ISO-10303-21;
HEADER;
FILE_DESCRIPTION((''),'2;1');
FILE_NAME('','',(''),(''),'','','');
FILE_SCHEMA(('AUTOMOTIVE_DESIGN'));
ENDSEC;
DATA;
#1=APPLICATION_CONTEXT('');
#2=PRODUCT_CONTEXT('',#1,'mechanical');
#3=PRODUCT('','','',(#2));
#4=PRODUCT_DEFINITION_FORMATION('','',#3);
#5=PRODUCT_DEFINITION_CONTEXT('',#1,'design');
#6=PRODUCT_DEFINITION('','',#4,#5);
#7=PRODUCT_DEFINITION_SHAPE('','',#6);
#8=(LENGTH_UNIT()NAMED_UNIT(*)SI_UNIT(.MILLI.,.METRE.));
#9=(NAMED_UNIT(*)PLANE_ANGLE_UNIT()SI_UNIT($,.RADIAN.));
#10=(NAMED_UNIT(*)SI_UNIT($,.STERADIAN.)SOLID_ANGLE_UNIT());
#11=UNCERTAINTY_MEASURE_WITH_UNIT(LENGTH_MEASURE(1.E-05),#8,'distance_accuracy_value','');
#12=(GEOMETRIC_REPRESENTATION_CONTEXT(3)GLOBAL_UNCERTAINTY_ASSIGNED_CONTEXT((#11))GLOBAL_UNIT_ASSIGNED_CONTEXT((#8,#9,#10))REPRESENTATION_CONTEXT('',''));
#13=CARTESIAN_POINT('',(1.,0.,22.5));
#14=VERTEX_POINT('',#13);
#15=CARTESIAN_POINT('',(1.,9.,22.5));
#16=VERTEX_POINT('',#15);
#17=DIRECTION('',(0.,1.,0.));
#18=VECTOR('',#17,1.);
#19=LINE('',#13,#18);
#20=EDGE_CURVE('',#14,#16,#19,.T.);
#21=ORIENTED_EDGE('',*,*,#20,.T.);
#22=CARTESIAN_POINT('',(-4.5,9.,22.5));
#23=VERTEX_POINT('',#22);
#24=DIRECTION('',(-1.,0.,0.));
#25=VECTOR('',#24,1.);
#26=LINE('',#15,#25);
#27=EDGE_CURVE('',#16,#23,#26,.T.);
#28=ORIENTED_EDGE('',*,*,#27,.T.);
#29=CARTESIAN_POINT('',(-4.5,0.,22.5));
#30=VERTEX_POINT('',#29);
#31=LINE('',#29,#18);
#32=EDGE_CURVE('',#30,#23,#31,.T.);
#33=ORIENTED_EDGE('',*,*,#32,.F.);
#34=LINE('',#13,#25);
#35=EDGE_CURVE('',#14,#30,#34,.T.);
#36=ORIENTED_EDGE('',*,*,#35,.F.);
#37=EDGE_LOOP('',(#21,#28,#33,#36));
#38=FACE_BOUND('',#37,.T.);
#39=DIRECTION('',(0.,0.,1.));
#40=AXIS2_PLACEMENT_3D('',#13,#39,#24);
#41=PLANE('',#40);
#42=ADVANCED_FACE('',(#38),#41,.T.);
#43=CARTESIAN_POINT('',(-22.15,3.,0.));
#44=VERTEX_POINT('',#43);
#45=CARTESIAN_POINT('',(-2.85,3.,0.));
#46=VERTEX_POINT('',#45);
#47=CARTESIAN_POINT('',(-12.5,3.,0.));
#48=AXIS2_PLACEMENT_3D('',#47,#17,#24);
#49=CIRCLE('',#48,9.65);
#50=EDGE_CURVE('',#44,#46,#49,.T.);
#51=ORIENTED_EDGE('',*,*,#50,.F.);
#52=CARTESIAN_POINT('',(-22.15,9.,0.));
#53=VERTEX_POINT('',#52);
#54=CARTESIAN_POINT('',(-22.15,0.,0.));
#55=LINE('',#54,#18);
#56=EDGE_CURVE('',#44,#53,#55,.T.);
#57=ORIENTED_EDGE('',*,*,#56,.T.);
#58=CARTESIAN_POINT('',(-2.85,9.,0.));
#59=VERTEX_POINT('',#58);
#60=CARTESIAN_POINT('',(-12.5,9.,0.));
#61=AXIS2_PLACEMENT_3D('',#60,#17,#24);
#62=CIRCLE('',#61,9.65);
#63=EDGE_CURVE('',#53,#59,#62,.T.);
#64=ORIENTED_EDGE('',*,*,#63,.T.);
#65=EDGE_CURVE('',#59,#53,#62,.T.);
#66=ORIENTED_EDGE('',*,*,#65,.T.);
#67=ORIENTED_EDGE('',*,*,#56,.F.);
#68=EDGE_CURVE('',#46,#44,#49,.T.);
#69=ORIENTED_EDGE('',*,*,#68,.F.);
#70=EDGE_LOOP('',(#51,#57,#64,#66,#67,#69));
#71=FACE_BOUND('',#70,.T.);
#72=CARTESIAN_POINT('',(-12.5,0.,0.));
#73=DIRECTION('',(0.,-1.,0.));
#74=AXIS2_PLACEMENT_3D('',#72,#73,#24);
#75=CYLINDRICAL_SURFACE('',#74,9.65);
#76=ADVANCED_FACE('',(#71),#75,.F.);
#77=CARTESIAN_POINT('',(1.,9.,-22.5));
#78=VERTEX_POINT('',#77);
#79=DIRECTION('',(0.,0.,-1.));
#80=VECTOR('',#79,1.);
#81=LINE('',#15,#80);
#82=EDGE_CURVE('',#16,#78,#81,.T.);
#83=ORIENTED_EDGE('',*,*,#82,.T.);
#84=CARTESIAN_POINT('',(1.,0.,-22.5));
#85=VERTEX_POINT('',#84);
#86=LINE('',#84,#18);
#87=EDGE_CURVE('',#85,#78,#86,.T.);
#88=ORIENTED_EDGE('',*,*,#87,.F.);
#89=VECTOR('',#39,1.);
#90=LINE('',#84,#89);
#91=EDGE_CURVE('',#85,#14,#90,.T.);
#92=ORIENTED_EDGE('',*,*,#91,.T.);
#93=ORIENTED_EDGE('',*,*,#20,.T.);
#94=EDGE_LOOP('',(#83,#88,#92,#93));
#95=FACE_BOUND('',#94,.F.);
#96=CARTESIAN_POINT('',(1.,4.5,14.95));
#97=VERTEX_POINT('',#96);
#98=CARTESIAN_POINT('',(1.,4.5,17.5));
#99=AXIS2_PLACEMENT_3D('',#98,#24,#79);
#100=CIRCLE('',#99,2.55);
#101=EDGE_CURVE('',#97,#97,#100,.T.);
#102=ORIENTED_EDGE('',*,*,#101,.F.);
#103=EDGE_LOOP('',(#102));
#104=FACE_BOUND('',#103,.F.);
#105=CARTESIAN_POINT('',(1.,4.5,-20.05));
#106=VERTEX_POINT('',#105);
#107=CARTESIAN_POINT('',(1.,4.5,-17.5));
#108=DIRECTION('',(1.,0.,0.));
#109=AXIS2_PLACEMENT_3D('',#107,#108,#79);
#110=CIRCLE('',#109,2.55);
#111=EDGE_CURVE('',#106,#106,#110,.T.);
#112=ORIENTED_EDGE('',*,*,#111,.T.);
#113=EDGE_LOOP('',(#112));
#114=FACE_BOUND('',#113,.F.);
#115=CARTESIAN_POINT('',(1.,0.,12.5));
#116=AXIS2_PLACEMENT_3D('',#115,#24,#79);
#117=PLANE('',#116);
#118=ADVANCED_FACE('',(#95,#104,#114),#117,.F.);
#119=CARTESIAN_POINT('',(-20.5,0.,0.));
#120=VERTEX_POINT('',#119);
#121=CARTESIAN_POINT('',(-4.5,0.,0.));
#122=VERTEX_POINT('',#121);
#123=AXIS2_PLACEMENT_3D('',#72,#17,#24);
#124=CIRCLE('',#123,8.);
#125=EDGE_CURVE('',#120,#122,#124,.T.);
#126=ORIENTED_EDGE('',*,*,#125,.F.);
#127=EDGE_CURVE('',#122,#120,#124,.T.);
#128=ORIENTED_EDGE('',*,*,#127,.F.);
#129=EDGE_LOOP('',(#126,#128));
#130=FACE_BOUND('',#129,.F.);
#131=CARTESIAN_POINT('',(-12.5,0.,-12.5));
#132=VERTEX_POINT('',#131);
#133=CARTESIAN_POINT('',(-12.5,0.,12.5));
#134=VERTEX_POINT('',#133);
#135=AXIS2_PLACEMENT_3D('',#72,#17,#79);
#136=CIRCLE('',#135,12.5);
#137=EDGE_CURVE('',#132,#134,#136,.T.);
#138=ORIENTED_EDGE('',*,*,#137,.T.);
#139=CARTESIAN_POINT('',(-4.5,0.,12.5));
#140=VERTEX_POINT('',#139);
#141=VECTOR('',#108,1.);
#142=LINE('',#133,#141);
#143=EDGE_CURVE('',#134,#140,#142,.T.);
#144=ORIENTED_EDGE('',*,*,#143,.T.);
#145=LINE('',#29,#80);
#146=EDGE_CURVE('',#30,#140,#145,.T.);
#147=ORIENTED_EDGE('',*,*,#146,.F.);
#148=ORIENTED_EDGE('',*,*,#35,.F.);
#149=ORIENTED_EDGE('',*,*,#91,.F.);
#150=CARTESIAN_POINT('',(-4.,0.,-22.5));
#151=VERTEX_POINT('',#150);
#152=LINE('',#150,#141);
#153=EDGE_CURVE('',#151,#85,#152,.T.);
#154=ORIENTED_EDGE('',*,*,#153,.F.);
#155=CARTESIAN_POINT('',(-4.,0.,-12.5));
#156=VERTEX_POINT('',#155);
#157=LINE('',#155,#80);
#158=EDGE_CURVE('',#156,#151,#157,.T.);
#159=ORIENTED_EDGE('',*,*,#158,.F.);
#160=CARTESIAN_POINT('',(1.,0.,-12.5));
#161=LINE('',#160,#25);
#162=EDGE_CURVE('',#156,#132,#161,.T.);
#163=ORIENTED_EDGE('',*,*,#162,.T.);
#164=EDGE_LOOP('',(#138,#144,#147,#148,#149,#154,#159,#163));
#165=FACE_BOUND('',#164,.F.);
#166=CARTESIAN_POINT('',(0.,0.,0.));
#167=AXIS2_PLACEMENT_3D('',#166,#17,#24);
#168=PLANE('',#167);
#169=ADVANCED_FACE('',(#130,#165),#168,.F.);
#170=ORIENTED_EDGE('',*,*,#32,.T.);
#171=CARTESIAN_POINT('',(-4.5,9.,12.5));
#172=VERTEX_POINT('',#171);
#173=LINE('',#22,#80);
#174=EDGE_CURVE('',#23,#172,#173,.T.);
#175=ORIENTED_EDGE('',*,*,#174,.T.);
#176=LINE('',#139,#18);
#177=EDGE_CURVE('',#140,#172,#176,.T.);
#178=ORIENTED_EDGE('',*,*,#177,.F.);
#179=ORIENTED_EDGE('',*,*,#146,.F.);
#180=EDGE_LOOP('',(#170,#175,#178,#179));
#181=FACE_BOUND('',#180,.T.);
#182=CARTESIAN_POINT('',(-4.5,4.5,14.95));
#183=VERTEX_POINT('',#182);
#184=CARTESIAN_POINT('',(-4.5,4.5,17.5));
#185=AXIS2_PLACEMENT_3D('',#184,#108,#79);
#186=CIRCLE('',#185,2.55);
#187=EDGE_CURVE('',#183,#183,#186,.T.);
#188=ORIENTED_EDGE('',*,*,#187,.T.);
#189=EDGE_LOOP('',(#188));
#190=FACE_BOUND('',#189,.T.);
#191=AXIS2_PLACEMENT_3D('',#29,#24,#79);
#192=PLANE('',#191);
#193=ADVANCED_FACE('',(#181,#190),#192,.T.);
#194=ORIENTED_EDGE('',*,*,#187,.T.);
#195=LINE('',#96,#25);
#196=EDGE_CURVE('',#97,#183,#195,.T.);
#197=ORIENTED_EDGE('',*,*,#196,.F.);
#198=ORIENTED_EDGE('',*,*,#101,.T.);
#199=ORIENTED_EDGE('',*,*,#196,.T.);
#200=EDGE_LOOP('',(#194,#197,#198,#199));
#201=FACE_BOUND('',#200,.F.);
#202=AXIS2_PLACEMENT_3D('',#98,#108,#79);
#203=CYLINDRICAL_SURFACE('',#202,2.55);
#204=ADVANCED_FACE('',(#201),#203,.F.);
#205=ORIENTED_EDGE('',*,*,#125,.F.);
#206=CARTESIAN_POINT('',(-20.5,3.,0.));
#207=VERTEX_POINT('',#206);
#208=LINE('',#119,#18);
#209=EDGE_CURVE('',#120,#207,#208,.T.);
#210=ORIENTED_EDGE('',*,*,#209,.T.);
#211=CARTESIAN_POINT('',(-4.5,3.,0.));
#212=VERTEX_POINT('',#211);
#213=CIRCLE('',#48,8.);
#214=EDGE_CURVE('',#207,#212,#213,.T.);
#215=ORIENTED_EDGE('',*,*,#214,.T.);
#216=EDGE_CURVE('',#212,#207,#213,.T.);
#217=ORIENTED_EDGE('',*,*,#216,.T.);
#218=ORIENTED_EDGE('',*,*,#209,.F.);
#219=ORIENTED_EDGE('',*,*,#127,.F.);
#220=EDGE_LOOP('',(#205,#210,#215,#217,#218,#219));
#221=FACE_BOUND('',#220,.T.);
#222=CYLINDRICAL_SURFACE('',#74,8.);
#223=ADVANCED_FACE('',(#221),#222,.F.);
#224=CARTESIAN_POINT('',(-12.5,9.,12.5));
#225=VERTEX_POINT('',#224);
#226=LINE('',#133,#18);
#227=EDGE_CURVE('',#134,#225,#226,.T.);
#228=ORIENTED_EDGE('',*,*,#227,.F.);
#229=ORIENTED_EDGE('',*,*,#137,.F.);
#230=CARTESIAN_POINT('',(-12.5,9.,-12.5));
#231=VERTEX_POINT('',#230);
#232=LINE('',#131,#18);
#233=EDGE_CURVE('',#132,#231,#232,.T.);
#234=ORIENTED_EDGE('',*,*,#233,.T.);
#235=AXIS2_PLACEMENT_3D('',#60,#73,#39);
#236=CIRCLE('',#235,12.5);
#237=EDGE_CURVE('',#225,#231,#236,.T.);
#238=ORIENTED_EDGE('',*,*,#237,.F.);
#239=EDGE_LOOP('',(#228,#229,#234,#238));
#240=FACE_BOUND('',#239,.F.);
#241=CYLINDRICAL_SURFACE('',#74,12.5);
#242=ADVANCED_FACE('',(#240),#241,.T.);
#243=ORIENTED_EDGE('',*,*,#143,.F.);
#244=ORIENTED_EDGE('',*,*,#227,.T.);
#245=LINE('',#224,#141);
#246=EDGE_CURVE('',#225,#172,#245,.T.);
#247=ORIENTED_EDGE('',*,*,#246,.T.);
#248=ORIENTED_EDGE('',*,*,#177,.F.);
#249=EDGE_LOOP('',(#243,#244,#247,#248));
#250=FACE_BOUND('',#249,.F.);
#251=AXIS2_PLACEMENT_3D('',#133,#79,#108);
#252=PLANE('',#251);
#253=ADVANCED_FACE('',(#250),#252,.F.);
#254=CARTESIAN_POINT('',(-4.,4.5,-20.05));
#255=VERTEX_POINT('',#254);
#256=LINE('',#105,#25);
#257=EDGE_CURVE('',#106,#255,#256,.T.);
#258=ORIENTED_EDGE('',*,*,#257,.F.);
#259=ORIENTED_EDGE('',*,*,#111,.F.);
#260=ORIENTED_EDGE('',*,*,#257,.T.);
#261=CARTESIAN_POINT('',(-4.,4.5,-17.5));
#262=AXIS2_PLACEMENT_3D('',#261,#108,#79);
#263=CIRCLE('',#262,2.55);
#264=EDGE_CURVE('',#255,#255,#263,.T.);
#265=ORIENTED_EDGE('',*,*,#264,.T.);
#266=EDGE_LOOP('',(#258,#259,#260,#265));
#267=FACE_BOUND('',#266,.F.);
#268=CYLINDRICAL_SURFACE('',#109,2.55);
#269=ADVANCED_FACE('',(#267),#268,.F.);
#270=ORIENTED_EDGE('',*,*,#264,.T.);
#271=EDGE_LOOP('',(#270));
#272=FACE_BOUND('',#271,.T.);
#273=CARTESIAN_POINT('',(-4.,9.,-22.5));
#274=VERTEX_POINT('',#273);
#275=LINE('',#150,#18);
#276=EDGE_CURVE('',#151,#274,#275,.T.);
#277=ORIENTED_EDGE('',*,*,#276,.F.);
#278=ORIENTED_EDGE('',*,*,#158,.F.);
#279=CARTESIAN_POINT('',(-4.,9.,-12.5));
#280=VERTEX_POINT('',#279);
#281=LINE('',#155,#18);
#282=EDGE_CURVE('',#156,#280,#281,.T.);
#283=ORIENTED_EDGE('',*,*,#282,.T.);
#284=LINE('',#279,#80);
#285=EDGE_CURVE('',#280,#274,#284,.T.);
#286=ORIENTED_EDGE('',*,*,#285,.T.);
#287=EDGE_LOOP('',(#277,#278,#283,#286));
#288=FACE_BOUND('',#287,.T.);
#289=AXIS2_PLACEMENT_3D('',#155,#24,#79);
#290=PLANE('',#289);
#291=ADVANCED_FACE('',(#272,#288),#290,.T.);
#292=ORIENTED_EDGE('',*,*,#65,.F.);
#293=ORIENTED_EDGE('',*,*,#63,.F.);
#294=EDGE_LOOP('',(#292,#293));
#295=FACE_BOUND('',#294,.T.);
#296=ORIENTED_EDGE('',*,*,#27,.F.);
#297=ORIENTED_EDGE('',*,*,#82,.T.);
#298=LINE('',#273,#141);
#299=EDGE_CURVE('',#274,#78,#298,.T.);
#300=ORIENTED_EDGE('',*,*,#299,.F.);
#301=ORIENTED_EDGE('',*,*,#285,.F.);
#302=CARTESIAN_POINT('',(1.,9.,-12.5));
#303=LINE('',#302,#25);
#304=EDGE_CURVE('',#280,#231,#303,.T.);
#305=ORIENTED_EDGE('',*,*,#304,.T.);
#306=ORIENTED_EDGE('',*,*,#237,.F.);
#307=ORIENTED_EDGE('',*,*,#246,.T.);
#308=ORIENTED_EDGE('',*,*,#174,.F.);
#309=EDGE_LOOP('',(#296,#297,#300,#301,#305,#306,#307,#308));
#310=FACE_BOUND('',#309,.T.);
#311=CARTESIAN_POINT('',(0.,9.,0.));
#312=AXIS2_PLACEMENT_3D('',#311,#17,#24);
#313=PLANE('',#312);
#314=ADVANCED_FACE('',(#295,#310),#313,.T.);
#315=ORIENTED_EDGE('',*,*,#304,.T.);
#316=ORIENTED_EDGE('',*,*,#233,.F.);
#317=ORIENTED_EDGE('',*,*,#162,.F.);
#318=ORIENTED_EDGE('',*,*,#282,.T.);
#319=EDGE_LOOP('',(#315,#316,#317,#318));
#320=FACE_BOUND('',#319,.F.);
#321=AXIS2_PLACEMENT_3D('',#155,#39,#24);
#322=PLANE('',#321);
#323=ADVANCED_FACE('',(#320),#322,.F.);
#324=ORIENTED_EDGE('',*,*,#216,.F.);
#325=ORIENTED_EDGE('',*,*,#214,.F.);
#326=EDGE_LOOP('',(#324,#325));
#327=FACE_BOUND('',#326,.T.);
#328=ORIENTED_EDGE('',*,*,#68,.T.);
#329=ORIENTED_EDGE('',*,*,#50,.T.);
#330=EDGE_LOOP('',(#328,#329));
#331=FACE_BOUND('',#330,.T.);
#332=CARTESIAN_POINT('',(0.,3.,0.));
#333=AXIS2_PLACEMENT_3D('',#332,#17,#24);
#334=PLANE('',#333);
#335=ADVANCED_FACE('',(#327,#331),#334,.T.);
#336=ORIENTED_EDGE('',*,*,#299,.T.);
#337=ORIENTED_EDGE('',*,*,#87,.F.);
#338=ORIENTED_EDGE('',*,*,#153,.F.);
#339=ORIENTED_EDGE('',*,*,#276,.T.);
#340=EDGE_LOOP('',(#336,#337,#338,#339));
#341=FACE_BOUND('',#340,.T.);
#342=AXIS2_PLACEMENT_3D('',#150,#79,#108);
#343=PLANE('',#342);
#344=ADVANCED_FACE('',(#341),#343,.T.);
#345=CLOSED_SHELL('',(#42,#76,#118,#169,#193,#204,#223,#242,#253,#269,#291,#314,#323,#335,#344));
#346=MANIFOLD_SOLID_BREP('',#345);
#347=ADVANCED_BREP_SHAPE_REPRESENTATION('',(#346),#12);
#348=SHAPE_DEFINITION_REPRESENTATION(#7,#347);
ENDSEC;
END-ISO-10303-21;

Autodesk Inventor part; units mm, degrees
ref_plane "YZ Plane" through (0, 0, 0) normal (1, 0, 0) x (0, 1, 0)
ref_plane "XZ Plane" through (0, 0, 0) normal (0, 1, 0) x (-1, 0, 0)
ref_plane "XY Plane" through (0, 0, 0) normal (0, 0, 1) x (1, 0, 0)
sketch "Sketch1" plane through (0, 0, 0) normal (0, 1, 0) x (-1, 0, 0)
  line L0 (0, 0) -> (12.5, 0)
  circle A0 centre (12.5, 0) radius 9.65
  circle A1 centre (12.5, 0) radius 12.5
  line L1 (12.5, 12.5) -> (-1, 12.5)
  line L2 (-1, 12.5) -> (-1, -12.5)
  line L3 (-1, -12.5) -> (12.5, -12.5)
  circle A2 centre (12.5, 0) radius 8
  line L4 (-1, -12.5) -> (4, -12.5)
  line L5 (4, -12.5) -> (4, -22.5)
  line L6 (4, -22.5) -> (-1, -22.5)
  line L7 (-1, -22.5) -> (-1, -12.5)
  line L8 (-1, 12.5) -> (-1, 22.5)
  line L9 (-1, 22.5) -> (4.5, 22.5)
  line L10 (4.5, 22.5) -> (4.5, 12.5)
  dimension "d0" = 12.5
  dimension "d1" = 19.3
  dimension "d2" = 16
  dimension "d7" = 5
  dimension "d8" = 10
  dimension "d9" = 10
extrude "Extrusion3" add sketch "Sketch1" along normal blind 3 contours A0
extrude "Extrusion4" add sketch "Sketch1" along normal blind 9 contours A1 L3 L2 L1 | A1 | L1 L8 L9 L10 | L5 L6 L7 L3
sketch "Sketch4" plane through (1, 0, 22.5) normal (1, 0, 0) x (0, 0, -1)
  line L0 (0, 0) -> (0, 9) projected
  line L1 (0, 4.5) -> (5, 4.5)
  line L2 (45, 0) -> (45, 9) projected
  line L3 (45, 4.5) -> (40, 4.5)
  circle A0 centre (5, 4.5) radius 2.55
  circle A1 centre (40, 4.5) radius 2.55
  point P0 (22.5, 0)
  dimension "d14" = 5
  dimension "d15" = 5
  dimension "d16" = 5.1
  dimension "d17" = 5.1
extrude "Extrusion5" cut sketch "Sketch4" against normal blind 7
properties part number "wheel_shaft_holder_small"
